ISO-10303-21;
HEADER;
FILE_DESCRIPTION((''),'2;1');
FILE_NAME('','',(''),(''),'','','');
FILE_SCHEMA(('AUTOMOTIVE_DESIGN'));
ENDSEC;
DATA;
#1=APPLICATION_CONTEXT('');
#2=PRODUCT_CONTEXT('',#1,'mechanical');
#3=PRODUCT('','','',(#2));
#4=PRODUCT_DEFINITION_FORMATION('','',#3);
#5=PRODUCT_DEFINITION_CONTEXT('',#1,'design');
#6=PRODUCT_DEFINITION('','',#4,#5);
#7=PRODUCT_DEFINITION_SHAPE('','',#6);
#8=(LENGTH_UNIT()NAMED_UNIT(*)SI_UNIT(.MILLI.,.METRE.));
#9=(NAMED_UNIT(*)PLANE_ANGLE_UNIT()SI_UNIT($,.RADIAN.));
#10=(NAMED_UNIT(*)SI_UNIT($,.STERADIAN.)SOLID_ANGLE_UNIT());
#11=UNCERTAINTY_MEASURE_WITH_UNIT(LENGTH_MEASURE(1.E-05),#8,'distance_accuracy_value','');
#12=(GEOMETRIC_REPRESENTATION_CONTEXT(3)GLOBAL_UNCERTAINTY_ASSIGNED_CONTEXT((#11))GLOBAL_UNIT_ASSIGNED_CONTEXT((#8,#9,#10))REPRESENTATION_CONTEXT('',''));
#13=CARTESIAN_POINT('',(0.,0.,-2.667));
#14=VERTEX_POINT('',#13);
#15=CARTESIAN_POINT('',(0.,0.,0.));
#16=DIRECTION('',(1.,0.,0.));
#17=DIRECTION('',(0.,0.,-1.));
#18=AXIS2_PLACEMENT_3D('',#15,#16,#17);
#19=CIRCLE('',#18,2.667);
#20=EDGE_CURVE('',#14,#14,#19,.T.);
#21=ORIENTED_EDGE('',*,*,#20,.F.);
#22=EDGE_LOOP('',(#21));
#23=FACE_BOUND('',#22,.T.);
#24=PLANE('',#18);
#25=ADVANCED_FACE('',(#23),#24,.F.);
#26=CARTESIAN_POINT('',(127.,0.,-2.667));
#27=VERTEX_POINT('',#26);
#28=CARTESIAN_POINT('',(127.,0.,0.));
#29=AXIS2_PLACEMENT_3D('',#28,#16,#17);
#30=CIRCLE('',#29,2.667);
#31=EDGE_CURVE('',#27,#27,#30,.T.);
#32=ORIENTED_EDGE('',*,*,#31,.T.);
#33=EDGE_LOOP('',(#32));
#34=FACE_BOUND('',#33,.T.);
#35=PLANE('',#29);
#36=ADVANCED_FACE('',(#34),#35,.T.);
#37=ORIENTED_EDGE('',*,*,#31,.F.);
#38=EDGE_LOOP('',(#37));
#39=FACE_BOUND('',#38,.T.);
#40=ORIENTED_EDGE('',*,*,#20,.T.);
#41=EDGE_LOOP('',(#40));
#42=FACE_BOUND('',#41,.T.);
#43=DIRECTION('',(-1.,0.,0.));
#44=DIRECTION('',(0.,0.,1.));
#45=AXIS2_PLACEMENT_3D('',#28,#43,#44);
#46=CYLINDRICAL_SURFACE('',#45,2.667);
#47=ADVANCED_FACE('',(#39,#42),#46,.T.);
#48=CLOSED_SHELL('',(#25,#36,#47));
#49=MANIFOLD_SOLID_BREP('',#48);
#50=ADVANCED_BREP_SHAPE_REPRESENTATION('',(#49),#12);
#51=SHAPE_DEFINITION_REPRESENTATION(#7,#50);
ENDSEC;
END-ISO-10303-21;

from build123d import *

# Parameters (mm, degrees)
SKETCH1_R           = 2.667
BOSS_EXTRUDE1_DEPTH = 127


with BuildPart() as part:
    # Sketch1 → Boss-Extrude1 (new body)
    with BuildSketch(Plane(origin=(0, 0, 0), x_dir=(0, 0, -1), z_dir=(1, 0, 0))):
        Circle(SKETCH1_R)
    extrude(amount=BOSS_EXTRUDE1_DEPTH)


solid = part.part
